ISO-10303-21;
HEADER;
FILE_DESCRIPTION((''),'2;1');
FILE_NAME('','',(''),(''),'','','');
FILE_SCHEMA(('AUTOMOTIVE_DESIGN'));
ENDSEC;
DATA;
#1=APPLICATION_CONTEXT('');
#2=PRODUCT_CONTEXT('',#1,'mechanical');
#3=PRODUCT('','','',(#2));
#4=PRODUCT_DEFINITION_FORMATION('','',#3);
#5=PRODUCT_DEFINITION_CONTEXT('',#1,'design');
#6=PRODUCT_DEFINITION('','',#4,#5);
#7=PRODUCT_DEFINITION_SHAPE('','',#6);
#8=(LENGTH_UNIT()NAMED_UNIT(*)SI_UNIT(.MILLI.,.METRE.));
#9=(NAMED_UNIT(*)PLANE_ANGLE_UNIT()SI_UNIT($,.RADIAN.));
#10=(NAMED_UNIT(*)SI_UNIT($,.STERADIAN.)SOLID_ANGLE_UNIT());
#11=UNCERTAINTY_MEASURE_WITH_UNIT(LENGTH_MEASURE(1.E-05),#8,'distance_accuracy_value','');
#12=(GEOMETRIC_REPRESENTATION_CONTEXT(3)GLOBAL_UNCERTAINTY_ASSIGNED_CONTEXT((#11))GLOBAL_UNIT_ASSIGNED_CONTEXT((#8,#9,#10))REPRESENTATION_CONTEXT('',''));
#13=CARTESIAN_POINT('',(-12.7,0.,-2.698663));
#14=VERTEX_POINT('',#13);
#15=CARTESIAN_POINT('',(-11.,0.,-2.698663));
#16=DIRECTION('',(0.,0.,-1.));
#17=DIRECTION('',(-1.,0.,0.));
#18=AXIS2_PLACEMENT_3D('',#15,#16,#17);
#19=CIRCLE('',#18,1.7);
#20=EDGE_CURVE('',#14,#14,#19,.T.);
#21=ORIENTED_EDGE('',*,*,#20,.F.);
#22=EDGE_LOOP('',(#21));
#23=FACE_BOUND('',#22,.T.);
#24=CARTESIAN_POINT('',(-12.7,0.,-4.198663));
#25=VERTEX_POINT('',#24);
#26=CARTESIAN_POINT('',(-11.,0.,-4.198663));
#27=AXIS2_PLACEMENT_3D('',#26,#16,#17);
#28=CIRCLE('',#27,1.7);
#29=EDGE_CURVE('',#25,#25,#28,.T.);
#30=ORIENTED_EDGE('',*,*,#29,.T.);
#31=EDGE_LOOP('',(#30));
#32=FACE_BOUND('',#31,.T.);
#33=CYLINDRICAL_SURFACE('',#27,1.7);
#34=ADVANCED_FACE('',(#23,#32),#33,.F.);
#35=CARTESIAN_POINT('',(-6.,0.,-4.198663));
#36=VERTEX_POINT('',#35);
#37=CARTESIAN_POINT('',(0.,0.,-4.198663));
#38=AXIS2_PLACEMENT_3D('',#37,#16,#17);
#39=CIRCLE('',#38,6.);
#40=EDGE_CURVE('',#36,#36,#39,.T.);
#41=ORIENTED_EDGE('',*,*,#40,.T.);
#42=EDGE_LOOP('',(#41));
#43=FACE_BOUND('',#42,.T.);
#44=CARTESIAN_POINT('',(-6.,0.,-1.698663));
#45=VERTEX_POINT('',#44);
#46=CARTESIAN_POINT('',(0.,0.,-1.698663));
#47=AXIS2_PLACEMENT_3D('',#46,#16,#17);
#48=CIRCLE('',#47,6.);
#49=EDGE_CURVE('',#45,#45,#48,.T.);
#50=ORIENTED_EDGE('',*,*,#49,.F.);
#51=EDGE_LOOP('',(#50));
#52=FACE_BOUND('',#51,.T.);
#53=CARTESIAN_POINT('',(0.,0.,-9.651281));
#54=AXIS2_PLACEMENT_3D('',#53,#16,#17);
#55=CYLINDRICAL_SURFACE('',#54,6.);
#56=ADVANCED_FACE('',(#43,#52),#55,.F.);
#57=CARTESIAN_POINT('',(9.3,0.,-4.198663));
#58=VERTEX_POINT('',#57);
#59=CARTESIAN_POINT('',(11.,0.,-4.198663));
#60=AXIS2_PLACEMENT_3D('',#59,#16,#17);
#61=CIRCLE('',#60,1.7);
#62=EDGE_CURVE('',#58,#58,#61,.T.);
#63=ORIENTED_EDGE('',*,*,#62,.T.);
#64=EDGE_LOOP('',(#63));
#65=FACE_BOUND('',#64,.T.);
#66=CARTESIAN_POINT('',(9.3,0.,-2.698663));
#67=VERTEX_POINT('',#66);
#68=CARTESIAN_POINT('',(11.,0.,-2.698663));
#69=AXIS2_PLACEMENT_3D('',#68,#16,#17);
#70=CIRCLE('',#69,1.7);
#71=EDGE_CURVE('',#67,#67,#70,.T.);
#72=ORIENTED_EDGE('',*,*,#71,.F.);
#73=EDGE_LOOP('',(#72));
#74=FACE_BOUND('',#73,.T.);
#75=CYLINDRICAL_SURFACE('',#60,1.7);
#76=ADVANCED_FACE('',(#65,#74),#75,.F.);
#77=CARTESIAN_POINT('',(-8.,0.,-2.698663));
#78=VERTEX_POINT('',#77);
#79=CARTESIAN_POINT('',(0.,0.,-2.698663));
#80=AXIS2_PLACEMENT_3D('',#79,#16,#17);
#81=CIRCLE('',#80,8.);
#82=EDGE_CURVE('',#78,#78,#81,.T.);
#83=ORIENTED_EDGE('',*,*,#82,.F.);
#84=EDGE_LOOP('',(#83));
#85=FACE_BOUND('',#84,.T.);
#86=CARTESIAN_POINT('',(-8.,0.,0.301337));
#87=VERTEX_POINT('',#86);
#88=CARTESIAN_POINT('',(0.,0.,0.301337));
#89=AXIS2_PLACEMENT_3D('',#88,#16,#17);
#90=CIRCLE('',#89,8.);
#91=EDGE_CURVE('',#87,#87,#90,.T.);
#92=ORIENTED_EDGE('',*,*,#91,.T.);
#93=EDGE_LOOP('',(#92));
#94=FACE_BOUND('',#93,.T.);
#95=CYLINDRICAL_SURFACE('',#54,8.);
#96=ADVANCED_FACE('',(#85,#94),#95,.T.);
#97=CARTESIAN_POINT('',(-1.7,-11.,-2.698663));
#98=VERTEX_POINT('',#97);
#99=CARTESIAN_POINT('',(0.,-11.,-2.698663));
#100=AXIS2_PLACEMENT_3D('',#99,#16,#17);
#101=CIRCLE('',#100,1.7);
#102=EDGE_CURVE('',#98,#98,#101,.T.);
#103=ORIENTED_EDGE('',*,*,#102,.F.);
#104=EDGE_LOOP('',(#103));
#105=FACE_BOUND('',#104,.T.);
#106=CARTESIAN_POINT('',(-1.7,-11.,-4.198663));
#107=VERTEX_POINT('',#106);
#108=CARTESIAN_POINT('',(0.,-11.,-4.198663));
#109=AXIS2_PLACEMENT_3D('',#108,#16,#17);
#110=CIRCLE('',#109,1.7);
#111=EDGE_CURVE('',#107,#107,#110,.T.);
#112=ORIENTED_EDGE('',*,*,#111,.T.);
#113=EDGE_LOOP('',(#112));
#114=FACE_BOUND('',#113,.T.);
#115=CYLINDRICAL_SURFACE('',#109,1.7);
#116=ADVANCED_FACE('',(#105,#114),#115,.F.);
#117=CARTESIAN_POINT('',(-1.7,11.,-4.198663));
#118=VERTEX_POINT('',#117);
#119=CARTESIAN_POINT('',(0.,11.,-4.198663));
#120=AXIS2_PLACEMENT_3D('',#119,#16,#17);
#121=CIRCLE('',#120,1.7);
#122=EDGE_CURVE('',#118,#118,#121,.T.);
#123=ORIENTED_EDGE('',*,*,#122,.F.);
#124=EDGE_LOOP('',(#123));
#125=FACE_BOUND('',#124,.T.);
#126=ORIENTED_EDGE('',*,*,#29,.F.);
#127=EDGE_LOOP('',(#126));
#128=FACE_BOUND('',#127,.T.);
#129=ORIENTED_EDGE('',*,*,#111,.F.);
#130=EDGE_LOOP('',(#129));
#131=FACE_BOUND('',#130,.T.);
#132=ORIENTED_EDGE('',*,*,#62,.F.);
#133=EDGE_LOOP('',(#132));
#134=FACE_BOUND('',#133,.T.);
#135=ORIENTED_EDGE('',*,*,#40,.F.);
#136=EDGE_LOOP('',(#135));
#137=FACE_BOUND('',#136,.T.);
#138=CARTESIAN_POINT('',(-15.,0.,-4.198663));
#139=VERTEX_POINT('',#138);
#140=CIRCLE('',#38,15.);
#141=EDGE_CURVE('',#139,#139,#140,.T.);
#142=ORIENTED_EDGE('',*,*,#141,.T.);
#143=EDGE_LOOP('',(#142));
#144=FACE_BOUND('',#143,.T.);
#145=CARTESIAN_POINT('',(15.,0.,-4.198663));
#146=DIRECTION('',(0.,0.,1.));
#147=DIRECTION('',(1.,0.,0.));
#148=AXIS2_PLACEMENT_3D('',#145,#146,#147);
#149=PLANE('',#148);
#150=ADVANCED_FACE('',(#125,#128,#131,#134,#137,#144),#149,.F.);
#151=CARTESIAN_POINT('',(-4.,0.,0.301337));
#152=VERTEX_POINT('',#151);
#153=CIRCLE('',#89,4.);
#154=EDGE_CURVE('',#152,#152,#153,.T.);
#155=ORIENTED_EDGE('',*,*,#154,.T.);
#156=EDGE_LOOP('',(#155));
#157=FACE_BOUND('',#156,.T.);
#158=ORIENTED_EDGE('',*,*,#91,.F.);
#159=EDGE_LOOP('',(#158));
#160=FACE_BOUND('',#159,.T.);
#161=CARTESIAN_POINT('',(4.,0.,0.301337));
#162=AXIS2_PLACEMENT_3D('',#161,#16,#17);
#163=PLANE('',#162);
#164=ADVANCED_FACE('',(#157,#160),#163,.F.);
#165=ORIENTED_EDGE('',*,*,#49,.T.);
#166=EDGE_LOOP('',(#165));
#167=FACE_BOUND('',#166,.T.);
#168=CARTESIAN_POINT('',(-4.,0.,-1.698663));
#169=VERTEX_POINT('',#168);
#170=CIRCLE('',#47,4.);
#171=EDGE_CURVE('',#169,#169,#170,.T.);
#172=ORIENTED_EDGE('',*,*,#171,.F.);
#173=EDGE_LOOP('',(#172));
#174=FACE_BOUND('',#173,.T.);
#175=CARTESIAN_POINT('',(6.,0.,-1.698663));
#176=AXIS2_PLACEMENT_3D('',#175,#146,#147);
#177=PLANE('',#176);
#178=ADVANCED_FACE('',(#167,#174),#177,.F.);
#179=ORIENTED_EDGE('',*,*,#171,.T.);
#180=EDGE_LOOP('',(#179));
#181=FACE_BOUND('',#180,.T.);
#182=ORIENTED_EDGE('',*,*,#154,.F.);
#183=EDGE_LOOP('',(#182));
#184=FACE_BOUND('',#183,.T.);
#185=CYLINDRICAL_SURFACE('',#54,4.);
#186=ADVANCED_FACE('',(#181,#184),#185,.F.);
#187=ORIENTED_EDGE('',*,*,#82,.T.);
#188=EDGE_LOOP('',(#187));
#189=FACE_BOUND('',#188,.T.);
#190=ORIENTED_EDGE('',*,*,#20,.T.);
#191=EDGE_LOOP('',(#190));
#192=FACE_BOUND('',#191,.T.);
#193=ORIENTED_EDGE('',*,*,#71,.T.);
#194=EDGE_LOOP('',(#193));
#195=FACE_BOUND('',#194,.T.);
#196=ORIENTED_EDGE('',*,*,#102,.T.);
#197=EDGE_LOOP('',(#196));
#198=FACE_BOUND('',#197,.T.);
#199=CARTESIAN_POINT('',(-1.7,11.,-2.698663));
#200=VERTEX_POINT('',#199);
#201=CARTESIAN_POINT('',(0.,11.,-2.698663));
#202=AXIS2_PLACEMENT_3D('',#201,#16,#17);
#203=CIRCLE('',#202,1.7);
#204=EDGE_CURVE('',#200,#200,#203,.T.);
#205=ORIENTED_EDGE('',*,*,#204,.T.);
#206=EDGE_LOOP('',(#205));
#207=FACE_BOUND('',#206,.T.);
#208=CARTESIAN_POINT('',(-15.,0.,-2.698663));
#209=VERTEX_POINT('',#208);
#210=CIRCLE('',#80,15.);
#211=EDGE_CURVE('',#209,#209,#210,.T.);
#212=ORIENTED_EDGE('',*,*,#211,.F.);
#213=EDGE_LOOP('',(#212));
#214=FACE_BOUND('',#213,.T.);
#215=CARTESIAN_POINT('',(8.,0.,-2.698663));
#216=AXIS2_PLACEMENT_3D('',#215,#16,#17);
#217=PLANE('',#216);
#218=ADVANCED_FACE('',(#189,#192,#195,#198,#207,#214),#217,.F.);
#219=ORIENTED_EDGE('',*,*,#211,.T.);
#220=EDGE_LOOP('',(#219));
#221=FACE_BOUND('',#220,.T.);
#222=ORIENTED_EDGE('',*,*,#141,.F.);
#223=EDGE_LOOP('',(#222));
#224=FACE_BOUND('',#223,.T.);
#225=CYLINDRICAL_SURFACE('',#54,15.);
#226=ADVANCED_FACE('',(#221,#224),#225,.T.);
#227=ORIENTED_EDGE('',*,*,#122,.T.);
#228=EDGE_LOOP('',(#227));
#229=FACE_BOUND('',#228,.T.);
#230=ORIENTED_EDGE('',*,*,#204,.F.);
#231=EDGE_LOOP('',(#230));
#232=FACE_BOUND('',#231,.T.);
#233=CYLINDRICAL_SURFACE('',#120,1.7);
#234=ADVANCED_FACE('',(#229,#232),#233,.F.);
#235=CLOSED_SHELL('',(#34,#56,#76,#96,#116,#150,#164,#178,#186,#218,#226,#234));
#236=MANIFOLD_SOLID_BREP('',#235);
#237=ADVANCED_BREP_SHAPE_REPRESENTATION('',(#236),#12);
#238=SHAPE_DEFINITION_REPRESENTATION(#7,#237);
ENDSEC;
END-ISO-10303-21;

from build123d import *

# Parameters (mm, degrees)
M3_CLEARANCE_HOLE1_D = 3.4
CIRPATTERN1_COUNT    = 4


with BuildPart() as part:
    # Sketch1 → Revolve1 (revolve)
    with BuildSketch(Plane(origin=(0, 0, 0), x_dir=(1, 0, 0), z_dir=(0, 1, 0))):
        Polygon((4, 1.698663418), (4, -0.301336582), (8, -0.301336582), (8, 2.698663418), (15, 2.698663418), (15, 4.198663418), (6, 4.198663418), (6, 1.698663418), align=None)
    revolve(axis=Axis((0, 0, -9.651281217), (0, 0, 1)))

    # M3 Clearance Hole1 (through all)
    with Locations(Plane(origin=(0, 0, -4.198663418), x_dir=(-1, 0, 0), z_dir=(0, 0, -1))):
        with Locations((-11, 0)):
            m3_clearance_hole1 = Hole(M3_CLEARANCE_HOLE1_D / 2)

    # CirPattern1: M3 Clearance Hole1 ×4 about axis
    cirpattern1_axis = Axis((0, 0, 11.676269368), (0, 0, -1))
    for i in range(1, CIRPATTERN1_COUNT):
        add(m3_clearance_hole1.rotate(cirpattern1_axis, i * 360 / CIRPATTERN1_COUNT), mode=Mode.SUBTRACT)


solid = part.part
